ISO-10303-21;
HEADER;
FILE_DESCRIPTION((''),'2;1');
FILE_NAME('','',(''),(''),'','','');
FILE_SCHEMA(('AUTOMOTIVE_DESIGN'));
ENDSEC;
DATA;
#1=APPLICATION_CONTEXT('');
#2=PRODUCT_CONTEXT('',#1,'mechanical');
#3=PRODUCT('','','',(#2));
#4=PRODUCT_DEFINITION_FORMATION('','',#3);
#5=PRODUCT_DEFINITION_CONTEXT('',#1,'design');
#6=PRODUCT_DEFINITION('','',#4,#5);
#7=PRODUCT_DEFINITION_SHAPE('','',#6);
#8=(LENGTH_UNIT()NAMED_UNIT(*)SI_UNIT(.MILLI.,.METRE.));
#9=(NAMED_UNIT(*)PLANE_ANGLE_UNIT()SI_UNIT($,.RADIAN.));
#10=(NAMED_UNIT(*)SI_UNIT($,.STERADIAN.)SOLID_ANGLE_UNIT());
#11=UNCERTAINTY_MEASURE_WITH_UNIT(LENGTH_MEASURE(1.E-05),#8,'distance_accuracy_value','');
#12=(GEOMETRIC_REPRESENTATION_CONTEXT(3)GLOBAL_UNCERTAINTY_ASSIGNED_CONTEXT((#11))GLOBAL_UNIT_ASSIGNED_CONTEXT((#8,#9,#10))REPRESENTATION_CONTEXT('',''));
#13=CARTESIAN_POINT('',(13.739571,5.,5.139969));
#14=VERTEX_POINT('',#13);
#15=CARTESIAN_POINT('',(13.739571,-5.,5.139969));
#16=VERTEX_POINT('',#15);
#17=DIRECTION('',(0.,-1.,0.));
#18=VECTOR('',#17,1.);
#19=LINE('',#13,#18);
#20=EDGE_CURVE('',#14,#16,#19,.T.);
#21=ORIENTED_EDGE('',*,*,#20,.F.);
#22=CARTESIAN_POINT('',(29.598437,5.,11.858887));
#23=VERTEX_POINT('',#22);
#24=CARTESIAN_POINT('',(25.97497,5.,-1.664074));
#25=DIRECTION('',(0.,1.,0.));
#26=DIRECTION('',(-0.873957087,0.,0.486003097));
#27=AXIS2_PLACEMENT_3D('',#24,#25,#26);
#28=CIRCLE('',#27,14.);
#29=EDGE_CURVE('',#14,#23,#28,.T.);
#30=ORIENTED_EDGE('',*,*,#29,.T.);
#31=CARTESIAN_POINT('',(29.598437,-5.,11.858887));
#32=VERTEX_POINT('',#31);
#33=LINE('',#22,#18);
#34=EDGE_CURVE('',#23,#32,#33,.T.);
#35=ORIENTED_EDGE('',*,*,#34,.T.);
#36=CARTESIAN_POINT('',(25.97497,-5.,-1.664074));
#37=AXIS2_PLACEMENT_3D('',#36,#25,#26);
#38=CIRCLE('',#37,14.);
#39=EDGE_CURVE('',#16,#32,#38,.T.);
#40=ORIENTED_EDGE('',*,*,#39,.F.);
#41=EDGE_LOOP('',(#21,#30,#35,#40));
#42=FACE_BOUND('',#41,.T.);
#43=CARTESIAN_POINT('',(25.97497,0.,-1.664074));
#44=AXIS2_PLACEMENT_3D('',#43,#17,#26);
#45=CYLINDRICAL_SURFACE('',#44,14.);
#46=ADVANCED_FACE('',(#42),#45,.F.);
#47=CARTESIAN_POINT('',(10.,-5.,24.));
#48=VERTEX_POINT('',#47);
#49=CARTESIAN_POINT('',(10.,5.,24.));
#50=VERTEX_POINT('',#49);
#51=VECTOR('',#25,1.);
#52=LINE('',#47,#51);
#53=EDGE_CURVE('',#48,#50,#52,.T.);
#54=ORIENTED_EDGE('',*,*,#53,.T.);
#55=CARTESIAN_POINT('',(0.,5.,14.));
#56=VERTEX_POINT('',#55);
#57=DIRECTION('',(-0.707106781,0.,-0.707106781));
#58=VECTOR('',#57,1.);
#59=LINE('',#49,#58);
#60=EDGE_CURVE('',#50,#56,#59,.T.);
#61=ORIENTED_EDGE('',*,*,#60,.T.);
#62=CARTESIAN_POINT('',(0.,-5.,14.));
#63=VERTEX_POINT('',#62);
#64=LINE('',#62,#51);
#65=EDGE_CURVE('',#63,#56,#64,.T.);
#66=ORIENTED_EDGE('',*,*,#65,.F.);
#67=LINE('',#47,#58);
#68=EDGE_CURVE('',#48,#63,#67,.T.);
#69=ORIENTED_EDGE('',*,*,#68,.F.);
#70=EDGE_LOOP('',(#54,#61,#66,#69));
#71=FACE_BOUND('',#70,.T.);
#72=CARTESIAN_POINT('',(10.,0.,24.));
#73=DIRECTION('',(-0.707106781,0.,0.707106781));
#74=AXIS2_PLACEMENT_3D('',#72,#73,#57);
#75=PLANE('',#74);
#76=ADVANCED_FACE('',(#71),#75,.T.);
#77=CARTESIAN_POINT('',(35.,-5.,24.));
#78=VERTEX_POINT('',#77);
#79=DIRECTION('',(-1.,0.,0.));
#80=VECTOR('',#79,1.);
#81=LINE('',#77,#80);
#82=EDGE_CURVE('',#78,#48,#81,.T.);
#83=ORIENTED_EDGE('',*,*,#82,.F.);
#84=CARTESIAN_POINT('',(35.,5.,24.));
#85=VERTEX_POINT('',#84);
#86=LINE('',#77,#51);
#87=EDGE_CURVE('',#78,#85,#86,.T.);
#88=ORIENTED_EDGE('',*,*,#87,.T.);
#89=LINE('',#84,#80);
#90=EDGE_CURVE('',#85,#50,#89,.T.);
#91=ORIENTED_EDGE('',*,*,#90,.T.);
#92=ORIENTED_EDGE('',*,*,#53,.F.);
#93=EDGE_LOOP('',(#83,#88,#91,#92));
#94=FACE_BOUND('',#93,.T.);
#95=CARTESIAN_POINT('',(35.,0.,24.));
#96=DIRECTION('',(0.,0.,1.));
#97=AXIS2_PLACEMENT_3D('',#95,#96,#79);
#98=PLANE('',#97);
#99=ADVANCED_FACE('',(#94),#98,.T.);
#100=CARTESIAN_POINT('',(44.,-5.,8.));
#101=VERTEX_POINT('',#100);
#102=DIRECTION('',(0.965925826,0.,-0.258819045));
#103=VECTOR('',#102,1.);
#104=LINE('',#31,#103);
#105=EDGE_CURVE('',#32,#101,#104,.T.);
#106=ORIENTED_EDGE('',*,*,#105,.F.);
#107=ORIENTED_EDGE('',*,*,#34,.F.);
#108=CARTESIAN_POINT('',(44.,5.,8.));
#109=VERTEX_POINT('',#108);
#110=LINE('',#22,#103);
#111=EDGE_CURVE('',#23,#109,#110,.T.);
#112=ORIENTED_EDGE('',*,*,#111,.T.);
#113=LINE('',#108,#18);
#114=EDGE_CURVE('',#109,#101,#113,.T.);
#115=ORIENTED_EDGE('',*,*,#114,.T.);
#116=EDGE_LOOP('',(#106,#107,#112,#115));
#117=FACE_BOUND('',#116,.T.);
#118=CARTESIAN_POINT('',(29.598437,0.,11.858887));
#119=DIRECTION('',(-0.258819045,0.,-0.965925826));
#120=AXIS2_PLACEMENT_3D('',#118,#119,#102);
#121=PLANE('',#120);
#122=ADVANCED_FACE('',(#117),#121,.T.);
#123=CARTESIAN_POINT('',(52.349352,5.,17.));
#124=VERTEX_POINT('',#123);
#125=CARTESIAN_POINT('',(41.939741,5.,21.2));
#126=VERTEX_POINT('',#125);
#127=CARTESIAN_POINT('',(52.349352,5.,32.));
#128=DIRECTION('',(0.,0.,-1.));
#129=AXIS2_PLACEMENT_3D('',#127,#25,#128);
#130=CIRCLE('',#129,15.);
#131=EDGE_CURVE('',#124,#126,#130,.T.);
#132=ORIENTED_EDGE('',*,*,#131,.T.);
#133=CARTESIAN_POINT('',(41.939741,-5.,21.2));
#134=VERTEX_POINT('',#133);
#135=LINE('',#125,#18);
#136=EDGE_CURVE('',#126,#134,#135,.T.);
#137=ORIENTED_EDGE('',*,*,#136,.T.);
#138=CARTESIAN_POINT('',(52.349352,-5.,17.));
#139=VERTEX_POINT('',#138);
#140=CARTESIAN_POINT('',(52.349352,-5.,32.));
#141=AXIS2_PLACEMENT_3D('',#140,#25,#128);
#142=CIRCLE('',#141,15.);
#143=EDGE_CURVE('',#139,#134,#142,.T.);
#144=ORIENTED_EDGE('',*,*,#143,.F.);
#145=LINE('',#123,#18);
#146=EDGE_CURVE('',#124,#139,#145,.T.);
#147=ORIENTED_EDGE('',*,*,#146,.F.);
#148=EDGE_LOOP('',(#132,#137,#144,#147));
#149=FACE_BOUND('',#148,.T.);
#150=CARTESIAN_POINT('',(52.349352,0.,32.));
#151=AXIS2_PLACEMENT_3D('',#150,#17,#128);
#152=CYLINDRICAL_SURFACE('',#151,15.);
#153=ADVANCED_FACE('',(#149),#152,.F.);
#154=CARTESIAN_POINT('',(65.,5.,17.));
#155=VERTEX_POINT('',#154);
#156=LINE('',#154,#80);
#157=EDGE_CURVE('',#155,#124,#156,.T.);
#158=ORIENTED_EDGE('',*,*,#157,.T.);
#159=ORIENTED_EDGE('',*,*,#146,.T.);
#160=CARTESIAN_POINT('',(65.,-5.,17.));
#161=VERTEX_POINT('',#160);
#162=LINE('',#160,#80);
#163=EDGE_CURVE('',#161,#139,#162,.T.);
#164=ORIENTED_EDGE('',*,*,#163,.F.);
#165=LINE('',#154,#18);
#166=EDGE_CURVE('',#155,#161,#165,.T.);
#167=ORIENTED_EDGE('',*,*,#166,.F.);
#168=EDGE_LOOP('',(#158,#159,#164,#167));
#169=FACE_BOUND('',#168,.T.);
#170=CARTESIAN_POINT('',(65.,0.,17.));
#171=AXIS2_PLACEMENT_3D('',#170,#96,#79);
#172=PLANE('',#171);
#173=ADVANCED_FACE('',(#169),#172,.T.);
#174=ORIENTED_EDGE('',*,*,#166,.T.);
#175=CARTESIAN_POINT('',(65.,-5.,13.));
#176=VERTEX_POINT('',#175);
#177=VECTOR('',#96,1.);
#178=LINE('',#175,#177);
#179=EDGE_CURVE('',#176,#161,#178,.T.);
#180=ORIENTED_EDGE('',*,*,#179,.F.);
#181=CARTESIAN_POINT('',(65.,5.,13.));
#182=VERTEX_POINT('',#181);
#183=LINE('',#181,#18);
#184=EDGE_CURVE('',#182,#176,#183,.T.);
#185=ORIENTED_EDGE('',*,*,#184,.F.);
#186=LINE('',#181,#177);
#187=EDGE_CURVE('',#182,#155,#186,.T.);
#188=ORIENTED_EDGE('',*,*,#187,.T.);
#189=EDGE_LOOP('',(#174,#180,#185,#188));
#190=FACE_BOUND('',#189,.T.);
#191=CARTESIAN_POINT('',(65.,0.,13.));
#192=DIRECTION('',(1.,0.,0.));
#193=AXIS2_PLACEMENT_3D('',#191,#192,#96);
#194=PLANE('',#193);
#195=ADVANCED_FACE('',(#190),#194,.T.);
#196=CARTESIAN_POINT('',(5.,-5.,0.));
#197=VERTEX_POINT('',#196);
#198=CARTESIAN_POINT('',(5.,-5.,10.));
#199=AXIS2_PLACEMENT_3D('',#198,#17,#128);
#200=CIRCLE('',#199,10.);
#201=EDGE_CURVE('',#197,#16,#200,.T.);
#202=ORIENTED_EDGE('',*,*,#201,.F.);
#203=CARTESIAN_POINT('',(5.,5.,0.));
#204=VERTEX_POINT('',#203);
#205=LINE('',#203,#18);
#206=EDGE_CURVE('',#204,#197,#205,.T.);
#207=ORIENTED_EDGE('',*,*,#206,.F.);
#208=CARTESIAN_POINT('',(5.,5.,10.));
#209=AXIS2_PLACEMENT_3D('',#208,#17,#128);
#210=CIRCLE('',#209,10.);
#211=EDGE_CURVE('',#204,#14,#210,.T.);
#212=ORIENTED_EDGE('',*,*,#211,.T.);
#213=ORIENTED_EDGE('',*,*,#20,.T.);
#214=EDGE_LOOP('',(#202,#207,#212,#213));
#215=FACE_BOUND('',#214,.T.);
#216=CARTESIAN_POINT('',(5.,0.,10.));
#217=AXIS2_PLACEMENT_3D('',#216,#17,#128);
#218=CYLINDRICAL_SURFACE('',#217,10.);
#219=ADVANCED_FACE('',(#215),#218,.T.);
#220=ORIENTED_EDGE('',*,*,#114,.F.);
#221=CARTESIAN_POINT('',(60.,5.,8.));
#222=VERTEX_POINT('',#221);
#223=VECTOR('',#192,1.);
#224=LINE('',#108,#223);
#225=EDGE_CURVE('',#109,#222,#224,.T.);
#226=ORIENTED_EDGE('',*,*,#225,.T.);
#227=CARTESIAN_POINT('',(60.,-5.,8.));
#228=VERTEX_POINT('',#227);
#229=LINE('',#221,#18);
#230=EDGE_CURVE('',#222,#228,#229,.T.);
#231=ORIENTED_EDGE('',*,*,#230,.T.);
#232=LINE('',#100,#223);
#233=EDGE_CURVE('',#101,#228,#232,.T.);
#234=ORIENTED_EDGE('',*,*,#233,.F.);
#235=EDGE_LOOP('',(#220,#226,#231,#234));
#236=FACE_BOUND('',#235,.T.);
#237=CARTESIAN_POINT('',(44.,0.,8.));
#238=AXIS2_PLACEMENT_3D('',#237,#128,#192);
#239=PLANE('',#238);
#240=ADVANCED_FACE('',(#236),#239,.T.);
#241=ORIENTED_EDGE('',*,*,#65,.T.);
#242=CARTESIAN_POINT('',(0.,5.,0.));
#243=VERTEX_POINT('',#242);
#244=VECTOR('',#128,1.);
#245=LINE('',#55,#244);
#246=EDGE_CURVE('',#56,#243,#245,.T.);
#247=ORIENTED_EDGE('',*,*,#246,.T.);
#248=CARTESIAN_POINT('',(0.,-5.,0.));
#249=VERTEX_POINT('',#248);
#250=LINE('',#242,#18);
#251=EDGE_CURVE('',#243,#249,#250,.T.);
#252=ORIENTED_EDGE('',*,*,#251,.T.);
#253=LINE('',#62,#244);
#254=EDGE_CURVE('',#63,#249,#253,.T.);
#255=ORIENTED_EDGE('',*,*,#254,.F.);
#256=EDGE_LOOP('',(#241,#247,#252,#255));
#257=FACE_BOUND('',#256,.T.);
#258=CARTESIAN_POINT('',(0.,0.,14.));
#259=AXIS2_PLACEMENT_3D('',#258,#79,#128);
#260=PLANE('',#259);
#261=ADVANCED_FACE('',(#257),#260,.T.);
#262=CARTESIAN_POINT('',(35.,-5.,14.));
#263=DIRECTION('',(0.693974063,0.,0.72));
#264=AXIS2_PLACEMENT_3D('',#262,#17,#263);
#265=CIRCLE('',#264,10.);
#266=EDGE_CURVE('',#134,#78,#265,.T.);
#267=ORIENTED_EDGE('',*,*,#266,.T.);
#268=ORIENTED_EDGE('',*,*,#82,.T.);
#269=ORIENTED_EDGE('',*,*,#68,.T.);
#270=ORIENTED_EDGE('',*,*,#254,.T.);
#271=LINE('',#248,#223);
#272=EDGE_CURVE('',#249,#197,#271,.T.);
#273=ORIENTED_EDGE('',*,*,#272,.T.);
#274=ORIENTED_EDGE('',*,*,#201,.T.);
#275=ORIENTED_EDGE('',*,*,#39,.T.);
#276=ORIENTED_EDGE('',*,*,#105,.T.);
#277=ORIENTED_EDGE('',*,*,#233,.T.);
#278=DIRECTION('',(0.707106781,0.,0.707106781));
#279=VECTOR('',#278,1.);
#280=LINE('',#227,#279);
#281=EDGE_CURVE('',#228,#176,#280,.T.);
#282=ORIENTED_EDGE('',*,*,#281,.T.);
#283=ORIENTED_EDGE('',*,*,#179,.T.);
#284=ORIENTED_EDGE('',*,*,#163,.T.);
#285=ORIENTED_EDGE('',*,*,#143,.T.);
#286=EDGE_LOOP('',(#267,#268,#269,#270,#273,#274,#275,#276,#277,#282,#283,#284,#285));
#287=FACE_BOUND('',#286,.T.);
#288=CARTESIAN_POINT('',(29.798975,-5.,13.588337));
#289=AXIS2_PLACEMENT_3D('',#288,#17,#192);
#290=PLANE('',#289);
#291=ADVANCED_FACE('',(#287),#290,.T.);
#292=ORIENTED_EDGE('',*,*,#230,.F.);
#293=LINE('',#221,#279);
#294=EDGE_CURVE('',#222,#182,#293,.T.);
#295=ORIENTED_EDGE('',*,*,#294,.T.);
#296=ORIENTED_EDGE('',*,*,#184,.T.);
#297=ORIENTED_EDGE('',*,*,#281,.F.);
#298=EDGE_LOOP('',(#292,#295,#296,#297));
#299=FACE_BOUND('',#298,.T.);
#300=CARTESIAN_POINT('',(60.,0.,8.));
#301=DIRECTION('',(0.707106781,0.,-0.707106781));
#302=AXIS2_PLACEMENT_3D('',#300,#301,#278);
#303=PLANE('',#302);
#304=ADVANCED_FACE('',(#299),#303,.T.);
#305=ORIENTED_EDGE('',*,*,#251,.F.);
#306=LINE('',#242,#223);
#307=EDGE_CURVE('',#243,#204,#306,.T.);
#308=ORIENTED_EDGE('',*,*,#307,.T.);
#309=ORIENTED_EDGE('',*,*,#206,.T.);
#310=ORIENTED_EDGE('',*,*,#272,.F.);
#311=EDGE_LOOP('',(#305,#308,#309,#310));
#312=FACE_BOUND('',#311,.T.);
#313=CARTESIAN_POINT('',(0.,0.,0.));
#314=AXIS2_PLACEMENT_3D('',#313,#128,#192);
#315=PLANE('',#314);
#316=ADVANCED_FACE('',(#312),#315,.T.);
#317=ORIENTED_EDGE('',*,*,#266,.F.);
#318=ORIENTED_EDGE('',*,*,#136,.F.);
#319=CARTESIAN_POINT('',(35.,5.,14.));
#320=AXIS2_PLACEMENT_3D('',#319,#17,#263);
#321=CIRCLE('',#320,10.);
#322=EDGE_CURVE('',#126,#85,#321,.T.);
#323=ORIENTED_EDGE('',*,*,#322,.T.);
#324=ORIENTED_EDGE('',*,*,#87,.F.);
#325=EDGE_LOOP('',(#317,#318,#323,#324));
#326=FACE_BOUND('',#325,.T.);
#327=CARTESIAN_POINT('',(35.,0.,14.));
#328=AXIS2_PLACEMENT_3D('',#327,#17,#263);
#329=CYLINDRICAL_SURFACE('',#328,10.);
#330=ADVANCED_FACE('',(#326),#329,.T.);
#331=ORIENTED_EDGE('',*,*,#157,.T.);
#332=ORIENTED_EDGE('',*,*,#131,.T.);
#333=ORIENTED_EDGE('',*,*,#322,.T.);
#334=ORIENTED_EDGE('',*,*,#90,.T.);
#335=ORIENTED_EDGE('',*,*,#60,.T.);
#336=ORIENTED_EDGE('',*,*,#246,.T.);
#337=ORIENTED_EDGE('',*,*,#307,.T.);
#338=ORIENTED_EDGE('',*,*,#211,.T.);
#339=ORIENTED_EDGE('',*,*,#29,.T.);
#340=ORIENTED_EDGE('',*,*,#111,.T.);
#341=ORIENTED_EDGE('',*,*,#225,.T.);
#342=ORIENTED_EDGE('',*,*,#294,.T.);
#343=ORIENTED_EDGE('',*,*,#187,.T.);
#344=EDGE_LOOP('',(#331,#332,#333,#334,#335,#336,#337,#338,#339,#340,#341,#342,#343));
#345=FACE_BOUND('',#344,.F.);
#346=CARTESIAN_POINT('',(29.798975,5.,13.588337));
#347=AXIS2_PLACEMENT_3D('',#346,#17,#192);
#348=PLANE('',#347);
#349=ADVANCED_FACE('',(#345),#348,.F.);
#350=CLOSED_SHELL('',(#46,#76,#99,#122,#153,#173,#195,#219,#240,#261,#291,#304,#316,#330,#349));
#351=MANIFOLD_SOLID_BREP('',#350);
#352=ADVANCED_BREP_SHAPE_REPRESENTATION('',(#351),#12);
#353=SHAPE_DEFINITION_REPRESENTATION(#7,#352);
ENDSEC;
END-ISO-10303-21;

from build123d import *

# Parameters (mm, degrees)
F1_DEPTH = 5


with BuildPart() as f1:
    # F0 (on Front) → F1 (new body, symmetric)
    with BuildSketch(Plane.XZ):
        with BuildLine():
            Line((0, 14), (0, 0))
            Line((0, 0), (5, 0))
            ThreePointArc((5, 0), (10.0695014716, 1.3802462431), (13.7395708711, 5.1399690342))
            ThreePointArc((13.7395708711, 5.1399690342), (20.5135315234, 11.226724291), (29.5984367221, 11.8588872501))
            Line((29.5984367221, 11.8588872501), (44, 8))
            Line((44, 8), (60, 8))
            Line((60, 8), (65, 13))
            Line((65, 13), (65, 17))
            Line((65, 17), (52.3493515729, 17))
            ThreePointArc((52.3493515729, 17), (46.7368654927, 18.0895722568), (41.9397406292, 21.2))
            ThreePointArc((41.9397406292, 21.2), (38.7416573868, 23.2736184955), (35, 24))
            Line((35, 24), (10, 24))
            Line((10, 24), (0, 14))
        make_face()
    extrude(amount=F1_DEPTH, both=True)


solid = f1.part
